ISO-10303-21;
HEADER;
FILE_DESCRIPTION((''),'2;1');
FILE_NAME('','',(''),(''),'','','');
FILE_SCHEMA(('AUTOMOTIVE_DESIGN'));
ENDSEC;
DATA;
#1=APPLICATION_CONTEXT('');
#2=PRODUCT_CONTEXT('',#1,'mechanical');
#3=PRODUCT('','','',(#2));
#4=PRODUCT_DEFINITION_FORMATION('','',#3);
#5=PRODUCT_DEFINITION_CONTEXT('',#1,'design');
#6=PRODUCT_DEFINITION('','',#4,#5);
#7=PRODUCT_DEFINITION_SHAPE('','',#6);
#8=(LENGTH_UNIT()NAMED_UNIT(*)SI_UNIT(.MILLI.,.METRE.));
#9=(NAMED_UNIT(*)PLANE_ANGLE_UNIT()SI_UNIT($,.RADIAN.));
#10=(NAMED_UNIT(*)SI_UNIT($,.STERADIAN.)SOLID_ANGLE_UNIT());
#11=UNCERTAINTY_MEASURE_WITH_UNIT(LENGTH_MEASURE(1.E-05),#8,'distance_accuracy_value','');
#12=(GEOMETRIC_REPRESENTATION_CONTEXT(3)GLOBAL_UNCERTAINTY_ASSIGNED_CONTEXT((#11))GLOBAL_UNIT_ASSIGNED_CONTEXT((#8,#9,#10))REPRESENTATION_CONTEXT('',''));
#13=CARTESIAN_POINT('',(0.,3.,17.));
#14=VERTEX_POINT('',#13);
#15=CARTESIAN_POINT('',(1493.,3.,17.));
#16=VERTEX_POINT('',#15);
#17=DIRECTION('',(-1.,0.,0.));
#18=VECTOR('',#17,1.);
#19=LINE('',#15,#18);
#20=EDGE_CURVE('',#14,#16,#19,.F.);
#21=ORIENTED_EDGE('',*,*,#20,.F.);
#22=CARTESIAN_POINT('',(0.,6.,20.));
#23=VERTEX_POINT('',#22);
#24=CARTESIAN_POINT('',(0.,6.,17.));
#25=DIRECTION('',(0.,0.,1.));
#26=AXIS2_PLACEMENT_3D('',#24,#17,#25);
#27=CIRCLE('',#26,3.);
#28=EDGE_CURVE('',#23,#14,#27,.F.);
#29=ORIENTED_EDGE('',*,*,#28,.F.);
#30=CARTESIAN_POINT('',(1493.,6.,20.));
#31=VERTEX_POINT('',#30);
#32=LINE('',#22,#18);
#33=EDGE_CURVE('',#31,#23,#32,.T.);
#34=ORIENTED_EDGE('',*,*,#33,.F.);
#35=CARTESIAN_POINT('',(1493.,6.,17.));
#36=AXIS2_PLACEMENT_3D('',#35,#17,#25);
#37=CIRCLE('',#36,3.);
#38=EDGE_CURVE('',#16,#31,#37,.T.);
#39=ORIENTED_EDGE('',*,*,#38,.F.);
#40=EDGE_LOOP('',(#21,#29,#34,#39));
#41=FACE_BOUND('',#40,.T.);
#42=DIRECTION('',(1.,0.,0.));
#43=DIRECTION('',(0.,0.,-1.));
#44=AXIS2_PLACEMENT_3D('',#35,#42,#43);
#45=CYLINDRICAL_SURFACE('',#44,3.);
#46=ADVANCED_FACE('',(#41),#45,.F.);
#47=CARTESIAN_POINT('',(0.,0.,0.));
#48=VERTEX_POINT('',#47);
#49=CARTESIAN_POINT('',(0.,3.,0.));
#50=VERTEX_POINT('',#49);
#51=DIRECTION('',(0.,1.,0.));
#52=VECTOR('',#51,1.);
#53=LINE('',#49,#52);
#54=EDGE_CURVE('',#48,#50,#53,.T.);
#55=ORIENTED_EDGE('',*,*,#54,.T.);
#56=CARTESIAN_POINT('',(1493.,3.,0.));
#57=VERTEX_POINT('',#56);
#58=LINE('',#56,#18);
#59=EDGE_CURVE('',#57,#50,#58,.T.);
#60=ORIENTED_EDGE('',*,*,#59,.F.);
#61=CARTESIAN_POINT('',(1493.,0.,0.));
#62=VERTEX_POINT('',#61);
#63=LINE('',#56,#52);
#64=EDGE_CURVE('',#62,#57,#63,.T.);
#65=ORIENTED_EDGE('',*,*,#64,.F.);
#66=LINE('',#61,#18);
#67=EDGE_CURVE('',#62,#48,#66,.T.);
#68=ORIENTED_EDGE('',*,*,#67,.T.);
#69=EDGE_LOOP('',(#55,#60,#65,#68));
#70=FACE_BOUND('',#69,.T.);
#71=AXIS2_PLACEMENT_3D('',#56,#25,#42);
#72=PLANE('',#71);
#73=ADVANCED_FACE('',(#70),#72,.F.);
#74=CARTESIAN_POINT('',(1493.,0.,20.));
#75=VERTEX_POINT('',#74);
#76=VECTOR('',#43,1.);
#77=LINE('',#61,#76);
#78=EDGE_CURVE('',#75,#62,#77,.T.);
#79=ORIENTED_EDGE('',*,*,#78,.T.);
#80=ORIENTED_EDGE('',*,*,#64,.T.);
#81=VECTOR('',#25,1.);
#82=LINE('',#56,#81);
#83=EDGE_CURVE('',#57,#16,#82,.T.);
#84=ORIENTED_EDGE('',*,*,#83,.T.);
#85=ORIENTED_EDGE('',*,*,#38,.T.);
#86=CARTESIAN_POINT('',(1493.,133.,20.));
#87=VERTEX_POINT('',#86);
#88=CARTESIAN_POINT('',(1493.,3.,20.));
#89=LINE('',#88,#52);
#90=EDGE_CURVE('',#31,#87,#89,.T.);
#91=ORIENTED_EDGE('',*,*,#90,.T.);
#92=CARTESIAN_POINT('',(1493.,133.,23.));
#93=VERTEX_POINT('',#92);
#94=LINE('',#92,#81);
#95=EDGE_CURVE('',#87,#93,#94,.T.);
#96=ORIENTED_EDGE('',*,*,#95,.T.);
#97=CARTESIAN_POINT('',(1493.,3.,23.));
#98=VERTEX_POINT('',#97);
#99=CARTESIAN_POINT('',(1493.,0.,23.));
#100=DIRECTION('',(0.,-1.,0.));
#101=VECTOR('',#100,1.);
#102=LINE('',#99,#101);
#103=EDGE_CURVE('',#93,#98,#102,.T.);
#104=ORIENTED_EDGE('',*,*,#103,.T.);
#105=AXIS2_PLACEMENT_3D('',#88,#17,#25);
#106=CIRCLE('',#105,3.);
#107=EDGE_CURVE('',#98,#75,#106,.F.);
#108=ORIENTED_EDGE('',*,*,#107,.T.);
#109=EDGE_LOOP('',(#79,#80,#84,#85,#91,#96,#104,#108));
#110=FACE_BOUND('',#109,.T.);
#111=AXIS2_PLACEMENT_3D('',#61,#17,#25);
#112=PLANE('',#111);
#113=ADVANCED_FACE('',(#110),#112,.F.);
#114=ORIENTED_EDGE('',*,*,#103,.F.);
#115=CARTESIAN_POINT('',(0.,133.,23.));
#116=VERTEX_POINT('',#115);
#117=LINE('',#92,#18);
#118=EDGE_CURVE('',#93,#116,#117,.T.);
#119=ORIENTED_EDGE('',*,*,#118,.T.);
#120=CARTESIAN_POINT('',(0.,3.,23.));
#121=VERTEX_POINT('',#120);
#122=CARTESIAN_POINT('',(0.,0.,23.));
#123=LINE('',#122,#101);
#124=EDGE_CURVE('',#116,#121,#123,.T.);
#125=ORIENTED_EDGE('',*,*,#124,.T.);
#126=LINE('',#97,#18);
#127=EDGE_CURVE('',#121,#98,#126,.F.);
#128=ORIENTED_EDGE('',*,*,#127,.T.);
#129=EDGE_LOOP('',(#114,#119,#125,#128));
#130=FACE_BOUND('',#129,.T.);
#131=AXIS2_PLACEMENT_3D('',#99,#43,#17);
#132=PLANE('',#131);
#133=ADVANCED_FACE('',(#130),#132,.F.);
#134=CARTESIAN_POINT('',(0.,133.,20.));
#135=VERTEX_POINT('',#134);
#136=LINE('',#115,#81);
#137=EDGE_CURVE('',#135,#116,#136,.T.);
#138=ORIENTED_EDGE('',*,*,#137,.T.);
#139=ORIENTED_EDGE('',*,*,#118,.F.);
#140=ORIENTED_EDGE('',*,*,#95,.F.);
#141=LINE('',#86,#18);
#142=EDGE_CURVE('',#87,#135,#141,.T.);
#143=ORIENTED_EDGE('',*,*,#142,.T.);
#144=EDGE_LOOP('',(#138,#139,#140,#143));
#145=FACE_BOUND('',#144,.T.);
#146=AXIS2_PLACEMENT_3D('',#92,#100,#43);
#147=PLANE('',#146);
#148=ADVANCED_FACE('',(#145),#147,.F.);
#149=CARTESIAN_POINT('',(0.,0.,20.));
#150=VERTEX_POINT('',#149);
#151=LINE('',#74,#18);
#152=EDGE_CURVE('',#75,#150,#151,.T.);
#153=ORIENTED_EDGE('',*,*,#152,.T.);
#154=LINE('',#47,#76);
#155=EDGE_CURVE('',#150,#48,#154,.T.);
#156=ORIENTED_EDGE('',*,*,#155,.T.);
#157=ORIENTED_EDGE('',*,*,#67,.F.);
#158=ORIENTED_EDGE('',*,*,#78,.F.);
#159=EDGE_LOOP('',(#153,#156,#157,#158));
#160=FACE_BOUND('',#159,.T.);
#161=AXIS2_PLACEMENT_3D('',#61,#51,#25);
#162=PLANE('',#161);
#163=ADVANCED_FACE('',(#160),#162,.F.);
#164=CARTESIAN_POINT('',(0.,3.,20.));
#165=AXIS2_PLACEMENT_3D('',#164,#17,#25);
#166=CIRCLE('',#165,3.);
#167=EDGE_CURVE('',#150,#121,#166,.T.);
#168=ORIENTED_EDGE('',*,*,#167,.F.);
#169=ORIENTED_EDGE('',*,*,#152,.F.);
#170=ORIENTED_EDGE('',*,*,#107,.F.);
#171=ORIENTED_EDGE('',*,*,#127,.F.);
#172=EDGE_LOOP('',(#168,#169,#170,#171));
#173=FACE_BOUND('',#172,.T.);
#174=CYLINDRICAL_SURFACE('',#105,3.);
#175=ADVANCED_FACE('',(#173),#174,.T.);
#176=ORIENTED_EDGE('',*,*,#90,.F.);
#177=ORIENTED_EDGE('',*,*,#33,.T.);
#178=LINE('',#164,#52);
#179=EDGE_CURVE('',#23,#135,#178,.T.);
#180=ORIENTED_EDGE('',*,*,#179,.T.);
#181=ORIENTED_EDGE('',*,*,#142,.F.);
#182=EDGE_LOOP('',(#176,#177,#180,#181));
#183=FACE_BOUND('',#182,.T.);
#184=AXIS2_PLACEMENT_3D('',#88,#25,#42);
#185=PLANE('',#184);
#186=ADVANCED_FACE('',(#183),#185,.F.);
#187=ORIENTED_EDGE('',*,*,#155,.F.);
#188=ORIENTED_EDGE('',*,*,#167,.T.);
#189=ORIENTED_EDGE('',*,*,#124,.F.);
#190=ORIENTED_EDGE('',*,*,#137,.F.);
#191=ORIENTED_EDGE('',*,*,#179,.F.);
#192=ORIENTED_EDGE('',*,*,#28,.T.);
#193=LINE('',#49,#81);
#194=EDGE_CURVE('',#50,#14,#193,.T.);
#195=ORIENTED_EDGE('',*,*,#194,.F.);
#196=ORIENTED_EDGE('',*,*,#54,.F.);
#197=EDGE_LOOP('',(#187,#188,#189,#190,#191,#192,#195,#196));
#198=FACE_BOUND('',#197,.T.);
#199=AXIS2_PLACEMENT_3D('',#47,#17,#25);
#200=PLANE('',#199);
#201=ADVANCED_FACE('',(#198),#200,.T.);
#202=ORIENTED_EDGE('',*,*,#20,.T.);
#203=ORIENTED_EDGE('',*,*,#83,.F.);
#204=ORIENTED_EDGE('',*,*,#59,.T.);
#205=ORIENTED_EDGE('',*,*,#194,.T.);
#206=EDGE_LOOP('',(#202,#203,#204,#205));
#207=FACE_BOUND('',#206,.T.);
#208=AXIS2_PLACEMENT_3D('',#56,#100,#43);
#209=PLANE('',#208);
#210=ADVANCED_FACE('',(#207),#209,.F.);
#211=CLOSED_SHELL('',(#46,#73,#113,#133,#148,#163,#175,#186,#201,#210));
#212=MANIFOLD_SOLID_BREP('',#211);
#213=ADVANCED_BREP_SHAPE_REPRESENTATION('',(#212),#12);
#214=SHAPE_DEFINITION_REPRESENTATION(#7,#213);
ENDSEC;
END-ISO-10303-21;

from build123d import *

# Parameters (mm, degrees)
BOSS_EXTRUDE1_DEPTH = 1493
FILLET1_R           = 3


with BuildPart() as part:
    # Sketch1 → Boss-Extrude1 (new body)
    with BuildSketch(Plane(origin=(0, 0, 0), x_dir=(0, 0, -1), z_dir=(1, 0, 0))):
        Polygon((0, 0), (-23, 0), (-23, 133), (-20, 133), (-20, 3), (0, 3), align=None)
    extrude(amount=BOSS_EXTRUDE1_DEPTH)

    # Fillet1
    fillet1_edges = [part.edges().sort_by_distance(p)[0] for p in [
        (746.5, 0, 23),
        (746.5, 3, 20),
    ]]
    fillet(fillet1_edges, radius=FILLET1_R)


solid = part.part
